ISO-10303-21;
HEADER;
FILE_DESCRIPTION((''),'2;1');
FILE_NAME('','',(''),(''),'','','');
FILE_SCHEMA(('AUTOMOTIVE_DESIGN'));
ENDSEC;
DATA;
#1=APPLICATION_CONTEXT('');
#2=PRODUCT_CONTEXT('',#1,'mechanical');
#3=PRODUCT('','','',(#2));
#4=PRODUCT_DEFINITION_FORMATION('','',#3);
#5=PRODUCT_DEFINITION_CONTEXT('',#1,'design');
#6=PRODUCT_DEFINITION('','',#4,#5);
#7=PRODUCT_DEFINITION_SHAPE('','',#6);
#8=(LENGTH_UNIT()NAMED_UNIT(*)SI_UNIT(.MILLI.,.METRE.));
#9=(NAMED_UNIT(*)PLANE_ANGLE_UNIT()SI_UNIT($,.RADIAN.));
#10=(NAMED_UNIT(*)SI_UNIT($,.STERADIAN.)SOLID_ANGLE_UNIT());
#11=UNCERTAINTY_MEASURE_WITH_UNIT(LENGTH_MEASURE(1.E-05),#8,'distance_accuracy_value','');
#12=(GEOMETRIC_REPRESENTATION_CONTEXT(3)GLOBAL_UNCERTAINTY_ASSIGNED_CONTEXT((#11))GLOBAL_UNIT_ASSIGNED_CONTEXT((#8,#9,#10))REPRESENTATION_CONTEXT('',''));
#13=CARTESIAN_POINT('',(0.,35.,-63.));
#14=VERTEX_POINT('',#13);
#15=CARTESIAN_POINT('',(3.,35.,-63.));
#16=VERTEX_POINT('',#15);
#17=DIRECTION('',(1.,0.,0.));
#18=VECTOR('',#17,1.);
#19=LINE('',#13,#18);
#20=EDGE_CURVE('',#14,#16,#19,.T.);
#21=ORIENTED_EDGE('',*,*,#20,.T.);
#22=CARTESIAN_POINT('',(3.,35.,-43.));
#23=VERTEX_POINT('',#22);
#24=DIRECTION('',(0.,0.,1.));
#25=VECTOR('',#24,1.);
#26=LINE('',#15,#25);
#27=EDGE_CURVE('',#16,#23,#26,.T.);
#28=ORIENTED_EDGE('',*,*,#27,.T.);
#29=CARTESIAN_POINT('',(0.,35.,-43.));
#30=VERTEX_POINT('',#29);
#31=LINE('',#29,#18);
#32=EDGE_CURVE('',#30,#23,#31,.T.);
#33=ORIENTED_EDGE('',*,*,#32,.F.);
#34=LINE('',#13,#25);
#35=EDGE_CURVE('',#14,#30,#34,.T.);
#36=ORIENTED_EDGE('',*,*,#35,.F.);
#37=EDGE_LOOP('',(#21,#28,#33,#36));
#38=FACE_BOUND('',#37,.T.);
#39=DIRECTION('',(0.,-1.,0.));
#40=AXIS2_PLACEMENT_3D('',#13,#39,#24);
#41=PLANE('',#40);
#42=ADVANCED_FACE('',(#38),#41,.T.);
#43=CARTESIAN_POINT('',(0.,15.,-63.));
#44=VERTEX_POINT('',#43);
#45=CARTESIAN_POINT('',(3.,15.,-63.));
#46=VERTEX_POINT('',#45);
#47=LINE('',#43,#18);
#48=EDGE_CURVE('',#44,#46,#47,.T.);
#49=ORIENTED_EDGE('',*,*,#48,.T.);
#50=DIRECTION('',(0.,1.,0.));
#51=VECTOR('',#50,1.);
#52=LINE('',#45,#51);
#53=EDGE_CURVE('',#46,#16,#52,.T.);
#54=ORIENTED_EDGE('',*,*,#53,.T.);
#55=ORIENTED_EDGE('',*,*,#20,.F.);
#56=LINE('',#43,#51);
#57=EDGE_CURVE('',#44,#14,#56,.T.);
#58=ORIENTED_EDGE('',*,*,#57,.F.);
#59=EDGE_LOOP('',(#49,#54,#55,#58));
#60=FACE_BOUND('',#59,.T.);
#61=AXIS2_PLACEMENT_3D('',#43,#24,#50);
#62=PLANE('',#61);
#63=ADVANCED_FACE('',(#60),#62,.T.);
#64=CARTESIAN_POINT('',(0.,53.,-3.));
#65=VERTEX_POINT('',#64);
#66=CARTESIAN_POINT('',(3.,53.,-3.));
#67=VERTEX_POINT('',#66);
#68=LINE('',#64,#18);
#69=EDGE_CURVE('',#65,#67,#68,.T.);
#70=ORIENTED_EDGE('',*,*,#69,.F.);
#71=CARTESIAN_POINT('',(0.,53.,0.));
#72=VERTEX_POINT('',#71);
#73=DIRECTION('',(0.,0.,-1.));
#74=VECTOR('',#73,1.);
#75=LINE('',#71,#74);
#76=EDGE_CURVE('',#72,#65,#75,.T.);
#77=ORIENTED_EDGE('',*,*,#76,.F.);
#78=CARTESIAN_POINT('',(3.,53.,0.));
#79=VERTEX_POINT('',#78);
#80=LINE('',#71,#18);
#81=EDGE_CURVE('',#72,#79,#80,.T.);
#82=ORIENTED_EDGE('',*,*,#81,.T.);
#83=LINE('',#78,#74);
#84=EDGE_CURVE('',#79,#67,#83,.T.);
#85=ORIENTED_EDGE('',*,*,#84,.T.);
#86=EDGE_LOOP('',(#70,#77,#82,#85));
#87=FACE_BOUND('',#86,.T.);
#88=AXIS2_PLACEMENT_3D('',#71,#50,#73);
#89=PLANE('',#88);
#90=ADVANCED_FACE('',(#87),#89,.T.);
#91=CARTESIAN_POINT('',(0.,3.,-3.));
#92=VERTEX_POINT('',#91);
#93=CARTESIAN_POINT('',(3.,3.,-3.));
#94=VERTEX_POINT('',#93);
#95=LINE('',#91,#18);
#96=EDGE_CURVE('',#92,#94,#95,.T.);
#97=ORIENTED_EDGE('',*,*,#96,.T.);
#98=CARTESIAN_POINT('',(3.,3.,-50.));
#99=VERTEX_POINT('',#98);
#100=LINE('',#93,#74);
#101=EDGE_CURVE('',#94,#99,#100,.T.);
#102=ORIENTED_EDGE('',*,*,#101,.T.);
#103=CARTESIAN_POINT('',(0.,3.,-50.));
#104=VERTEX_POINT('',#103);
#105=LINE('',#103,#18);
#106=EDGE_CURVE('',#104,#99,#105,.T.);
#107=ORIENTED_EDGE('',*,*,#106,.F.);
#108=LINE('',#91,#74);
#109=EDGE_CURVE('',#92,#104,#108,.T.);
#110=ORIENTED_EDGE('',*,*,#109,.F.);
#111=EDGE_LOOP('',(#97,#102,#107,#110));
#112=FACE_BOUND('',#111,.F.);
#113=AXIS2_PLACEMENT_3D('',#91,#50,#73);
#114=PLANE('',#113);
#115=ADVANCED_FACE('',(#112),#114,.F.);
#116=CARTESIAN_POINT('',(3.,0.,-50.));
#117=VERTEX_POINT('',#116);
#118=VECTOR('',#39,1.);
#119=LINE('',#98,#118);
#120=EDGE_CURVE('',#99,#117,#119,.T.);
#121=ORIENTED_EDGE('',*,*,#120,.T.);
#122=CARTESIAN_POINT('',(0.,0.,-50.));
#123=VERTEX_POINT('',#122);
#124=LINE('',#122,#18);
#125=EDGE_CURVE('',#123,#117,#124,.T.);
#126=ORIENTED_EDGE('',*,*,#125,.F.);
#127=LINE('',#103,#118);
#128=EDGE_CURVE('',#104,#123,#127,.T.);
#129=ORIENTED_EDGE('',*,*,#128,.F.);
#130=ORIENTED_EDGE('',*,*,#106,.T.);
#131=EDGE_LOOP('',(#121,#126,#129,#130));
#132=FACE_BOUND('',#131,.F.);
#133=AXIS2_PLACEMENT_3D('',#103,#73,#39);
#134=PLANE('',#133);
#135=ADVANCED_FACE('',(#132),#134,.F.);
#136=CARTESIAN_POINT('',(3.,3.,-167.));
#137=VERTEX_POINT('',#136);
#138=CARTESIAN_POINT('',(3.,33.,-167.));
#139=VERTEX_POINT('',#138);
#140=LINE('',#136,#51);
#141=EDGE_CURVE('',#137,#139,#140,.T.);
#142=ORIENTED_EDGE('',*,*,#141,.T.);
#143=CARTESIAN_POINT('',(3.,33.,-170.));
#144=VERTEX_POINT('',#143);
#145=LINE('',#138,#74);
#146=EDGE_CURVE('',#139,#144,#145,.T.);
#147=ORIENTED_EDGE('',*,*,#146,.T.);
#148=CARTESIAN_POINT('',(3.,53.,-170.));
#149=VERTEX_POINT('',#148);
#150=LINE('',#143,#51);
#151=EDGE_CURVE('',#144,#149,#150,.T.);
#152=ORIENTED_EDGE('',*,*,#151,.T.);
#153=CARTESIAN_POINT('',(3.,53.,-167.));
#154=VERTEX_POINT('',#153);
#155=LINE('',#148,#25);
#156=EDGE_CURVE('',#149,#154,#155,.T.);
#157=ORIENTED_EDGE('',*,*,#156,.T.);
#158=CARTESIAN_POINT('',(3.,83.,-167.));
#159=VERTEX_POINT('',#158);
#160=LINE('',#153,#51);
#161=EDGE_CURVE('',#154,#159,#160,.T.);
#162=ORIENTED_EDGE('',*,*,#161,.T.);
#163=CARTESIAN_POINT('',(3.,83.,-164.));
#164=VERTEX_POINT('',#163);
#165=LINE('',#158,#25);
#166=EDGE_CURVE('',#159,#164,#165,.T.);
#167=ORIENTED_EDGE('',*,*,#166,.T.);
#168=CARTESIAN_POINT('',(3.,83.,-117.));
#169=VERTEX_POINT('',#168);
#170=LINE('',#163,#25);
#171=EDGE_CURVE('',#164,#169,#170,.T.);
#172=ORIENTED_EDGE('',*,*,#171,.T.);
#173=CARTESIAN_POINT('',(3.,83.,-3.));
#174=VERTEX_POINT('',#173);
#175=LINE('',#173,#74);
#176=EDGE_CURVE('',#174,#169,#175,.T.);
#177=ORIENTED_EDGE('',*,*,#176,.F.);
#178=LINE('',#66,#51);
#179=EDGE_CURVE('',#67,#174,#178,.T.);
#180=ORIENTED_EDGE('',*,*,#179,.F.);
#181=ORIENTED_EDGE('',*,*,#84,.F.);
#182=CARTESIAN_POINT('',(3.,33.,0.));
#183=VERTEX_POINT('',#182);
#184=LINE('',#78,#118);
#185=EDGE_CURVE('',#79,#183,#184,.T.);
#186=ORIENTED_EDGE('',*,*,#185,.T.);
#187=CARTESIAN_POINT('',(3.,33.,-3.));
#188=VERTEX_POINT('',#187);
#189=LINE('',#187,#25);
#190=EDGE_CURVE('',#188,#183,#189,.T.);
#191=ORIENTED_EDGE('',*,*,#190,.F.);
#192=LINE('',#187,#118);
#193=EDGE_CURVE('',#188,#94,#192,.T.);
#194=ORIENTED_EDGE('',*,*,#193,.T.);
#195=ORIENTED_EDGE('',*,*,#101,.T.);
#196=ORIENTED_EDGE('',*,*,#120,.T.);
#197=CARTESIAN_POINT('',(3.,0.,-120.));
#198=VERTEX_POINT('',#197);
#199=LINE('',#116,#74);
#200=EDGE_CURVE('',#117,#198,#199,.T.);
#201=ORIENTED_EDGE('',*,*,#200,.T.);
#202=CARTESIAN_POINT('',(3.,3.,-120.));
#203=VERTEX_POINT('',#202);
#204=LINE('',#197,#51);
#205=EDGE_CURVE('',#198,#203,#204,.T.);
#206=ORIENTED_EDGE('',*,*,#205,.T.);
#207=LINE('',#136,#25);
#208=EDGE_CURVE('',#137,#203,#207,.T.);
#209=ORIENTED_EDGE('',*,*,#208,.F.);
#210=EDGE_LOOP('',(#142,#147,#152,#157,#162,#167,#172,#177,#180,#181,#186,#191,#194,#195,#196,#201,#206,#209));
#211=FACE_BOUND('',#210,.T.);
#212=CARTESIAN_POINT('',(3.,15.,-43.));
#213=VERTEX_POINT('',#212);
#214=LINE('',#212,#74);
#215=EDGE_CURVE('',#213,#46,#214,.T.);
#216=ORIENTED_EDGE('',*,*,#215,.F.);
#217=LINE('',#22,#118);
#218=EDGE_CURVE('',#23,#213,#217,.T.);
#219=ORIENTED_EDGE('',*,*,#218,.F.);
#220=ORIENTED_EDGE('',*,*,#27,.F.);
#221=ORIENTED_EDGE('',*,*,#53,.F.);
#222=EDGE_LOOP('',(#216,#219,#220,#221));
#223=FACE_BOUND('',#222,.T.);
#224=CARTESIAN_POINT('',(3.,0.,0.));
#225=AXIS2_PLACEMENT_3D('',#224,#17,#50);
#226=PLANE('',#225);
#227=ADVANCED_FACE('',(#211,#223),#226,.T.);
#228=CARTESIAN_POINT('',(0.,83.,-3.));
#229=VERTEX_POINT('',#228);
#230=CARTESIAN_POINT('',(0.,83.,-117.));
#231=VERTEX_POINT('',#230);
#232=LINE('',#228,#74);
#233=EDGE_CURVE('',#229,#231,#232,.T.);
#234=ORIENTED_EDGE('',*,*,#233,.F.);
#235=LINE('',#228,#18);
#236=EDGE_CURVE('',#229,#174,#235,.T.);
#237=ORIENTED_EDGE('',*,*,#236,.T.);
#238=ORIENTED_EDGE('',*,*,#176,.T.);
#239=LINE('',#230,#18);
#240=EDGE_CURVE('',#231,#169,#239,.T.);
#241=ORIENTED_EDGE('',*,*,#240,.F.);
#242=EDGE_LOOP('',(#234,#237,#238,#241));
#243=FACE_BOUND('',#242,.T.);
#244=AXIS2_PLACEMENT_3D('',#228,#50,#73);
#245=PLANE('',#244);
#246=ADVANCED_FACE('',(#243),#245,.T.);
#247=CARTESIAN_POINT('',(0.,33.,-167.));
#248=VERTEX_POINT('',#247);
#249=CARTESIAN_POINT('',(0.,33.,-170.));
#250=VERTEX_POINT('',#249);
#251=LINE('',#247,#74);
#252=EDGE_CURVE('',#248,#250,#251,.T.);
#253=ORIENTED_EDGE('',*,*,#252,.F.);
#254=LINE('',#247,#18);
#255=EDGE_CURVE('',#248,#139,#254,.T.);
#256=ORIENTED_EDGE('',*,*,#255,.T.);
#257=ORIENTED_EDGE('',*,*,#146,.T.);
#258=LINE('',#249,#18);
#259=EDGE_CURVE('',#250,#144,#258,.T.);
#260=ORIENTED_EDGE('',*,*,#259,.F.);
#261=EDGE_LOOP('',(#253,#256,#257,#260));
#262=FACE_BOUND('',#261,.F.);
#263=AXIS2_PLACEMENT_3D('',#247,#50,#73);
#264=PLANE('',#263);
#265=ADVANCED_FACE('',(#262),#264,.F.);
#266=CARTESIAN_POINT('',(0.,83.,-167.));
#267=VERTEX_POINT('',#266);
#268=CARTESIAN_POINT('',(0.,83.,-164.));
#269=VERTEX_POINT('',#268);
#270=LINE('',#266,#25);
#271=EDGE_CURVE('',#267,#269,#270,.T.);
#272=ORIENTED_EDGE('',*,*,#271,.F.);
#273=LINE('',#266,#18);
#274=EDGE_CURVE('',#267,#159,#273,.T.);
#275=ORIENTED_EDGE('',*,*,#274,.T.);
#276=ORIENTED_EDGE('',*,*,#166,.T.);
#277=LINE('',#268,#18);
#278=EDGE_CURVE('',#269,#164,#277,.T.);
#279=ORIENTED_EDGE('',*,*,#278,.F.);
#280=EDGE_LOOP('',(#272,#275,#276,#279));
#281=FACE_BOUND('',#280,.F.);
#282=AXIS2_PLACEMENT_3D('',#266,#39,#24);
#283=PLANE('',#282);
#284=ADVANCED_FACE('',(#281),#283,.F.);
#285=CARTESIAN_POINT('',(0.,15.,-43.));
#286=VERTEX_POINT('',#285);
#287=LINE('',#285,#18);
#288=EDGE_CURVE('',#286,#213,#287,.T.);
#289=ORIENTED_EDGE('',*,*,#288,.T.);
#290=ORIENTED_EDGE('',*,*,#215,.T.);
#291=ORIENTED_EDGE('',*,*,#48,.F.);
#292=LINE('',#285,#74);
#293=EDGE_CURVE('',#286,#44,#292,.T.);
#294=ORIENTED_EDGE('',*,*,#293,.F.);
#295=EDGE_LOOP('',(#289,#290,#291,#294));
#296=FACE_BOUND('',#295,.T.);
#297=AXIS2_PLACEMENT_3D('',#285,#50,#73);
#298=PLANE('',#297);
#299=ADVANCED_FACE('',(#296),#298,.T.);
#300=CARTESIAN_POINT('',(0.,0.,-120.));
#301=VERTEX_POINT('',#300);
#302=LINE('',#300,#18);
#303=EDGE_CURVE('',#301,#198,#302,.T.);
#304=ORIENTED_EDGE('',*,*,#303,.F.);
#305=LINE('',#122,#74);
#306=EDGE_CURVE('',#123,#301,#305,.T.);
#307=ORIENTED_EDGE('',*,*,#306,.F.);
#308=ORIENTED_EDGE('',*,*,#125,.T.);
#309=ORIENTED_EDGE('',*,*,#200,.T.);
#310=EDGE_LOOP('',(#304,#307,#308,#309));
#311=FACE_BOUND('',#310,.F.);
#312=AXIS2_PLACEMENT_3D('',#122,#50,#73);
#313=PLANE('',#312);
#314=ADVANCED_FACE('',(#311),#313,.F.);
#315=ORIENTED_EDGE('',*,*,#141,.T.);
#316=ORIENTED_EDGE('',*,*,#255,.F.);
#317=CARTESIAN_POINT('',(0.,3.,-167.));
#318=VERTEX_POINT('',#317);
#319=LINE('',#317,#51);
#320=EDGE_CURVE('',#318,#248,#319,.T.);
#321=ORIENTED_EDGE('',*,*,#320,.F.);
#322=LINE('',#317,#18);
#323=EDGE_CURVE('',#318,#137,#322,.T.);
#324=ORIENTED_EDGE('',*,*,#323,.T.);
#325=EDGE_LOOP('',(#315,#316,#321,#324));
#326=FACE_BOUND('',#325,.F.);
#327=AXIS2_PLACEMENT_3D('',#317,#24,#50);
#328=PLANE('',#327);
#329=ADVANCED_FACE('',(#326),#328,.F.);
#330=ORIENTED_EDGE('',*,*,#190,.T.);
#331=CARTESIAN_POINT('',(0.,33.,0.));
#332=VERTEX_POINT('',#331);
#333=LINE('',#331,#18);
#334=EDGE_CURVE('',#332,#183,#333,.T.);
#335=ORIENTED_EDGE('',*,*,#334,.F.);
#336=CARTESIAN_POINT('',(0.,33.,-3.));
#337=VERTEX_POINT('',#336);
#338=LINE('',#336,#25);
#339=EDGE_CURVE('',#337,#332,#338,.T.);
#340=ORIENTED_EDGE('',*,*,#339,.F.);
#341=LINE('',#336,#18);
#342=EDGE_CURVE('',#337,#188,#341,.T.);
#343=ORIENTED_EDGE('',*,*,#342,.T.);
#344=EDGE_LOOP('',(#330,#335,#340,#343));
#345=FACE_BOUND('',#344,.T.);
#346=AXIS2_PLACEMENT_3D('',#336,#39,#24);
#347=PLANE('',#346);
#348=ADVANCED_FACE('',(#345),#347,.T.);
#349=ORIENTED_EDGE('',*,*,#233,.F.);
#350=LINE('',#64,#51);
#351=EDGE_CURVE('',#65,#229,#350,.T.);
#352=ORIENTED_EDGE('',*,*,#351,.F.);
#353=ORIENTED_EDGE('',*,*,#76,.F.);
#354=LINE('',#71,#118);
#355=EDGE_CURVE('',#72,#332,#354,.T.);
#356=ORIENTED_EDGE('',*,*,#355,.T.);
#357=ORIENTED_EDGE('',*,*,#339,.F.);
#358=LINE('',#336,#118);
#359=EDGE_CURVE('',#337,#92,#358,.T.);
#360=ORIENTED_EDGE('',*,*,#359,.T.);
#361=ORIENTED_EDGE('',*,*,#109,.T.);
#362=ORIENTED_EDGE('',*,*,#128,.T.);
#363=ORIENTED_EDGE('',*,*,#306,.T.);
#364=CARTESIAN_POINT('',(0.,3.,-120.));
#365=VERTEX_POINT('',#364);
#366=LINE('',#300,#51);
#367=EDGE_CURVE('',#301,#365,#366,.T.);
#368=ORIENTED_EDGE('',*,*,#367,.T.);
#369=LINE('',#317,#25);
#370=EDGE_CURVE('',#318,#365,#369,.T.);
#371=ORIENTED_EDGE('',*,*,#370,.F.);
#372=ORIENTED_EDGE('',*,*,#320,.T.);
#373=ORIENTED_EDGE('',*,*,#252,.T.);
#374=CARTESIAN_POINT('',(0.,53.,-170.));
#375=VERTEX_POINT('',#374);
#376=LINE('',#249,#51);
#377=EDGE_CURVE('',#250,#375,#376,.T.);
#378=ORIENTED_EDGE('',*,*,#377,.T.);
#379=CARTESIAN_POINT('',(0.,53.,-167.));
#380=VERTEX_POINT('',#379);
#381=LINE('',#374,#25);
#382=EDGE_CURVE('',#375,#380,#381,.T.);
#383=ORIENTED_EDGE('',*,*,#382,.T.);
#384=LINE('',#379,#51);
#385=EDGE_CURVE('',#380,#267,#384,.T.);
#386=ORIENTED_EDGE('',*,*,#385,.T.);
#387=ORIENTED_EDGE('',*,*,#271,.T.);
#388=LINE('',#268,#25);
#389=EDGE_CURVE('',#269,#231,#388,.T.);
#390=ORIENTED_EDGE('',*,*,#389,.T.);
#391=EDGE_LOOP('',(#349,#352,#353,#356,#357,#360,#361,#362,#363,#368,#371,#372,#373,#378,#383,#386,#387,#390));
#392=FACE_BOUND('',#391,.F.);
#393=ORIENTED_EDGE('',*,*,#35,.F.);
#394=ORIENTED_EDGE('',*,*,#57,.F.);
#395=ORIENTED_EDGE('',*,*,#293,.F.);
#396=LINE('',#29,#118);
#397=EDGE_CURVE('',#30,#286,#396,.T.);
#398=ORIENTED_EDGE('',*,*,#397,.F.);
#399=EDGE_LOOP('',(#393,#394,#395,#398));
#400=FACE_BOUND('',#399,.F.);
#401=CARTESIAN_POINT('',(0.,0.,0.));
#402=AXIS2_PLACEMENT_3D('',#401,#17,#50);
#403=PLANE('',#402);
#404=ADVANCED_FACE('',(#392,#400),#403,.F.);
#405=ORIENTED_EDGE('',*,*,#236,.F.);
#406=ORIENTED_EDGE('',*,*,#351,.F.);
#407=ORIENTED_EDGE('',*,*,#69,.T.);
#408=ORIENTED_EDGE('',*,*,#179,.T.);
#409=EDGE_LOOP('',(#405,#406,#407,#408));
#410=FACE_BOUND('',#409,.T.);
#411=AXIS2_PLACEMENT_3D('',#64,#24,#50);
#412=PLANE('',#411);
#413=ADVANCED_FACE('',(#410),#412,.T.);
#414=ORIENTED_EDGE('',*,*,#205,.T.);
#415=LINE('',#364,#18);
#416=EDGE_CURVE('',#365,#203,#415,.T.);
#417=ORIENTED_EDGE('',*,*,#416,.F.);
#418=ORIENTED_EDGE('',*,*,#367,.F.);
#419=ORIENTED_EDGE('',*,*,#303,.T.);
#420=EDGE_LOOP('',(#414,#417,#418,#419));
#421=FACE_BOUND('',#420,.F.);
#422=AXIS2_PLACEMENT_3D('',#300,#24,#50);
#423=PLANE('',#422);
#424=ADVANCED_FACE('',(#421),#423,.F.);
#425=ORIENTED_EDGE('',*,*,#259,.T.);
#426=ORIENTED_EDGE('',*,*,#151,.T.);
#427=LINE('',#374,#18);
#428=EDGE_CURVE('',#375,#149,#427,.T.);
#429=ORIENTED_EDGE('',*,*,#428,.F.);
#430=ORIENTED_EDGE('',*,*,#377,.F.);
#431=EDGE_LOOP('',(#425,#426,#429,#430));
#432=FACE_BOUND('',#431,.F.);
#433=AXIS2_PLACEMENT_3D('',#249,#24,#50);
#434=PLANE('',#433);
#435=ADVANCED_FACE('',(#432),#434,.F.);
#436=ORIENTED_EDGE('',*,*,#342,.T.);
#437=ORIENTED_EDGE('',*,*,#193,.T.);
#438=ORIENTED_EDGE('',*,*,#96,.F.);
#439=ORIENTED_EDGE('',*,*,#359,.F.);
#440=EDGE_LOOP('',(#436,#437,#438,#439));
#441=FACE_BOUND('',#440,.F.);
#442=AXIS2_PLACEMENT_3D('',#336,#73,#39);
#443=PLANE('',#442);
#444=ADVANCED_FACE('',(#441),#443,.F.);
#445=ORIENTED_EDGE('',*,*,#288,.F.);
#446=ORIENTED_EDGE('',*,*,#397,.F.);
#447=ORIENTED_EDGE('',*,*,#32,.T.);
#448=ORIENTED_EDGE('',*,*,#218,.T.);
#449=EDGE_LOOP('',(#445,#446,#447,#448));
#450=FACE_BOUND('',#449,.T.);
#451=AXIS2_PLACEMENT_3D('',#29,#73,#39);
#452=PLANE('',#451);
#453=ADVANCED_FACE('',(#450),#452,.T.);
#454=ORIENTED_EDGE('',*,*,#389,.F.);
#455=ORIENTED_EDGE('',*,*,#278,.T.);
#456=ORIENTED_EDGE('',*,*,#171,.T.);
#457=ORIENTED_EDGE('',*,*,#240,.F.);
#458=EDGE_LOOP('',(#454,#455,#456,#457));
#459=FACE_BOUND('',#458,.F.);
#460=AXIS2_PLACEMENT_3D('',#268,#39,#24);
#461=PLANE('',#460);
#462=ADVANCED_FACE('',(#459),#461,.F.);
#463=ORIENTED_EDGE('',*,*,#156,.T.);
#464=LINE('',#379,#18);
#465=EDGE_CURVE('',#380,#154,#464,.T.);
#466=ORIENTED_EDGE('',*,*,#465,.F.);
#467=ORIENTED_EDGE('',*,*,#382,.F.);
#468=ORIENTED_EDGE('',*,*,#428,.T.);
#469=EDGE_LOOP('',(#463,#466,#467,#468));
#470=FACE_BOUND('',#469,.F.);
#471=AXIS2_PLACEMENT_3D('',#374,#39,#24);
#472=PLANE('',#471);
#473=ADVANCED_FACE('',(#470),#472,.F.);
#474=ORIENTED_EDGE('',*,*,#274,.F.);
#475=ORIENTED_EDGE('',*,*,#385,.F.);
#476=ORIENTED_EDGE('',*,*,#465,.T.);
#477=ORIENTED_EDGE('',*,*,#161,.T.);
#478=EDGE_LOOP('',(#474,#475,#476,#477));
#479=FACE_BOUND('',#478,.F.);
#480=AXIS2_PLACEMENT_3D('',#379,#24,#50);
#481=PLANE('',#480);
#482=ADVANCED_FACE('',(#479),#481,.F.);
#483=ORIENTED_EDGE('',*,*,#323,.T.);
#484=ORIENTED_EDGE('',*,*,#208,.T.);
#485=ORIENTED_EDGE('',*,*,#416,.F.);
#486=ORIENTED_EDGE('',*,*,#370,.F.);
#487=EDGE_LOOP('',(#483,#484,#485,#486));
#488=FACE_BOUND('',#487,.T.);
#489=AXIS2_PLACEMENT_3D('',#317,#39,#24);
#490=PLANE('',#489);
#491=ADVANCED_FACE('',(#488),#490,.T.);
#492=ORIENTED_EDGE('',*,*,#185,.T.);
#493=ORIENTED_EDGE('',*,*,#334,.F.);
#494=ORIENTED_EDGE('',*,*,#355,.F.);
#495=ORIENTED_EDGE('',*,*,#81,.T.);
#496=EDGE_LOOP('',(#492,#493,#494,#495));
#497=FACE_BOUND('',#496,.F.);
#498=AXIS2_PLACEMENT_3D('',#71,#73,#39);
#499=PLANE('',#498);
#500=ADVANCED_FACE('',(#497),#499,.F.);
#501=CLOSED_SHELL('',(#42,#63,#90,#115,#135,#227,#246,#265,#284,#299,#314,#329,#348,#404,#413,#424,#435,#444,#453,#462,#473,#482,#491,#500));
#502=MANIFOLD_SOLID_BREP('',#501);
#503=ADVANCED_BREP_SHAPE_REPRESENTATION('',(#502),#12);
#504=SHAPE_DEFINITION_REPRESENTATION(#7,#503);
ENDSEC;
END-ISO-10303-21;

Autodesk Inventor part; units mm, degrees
ref_plane "YZ Plane" through (0, 0, 0) normal (1, 0, 0) x (0, 1, 0)
ref_plane "XZ Plane" through (0, 0, 0) normal (0, 1, 0) x (-1, 0, 0)
ref_plane "XY Plane" through (0, 0, 0) normal (0, 0, 1) x (1, 0, 0)
sketch "Sketch2" plane through (0, 0, 0) normal (1, 0, 0) x (0, 1, 0)
  line L0 (0, 0) -> (3, 0) construction
  line L1 (3, -3) -> (3, -50)
  line L2 (3, -50) -> (0, -50)
  line L3 (0, -50) -> (0, -120)
  line L4 (0, -120) -> (3, -120)
  line L5 (53, 0) -> (53, -3)
  line L6 (33, -3) -> (33, 0)
  line L7 (0, 0) -> (0, -43) construction
  line L8 (0, -43) -> (15, -43) construction
  line L9 (15, -43) -> (35, -43) construction
  line L10 (15, -43) -> (15, -63)
  line L11 (15, -63) -> (35, -63)
  line L12 (35, -63) -> (35, -43)
  line L13 (35, -43) -> (15, -43)
  line L14 (83, -164) -> (83, -117)
  line L15 (3, -167) -> (3, -120)
  line L16 (3, -167) -> (33, -167)
  line L17 (33, -167) -> (33, -170)
  line L18 (33, -170) -> (53, -170)
  line L19 (53, -170) -> (53, -167)
  line L20 (53, -167) -> (83, -167)
  line L21 (83, -167) -> (83, -164)
  line L22 (53, -3) -> (83, -3)
  line L23 (53, 0) -> (33, 0)
  line L24 (33, -3) -> (3, -3)
  line L25 (83, -3) -> (83, -117)
  dimension "d0" = 3
  dimension "d1" = 3
  dimension "d2" = 47
  dimension "d3" = 70
  dimension "d11" = 3
  dimension "d12" = 20
  dimension "d15" = 43
  dimension "d16" = 15
  dimension "d17" = 20
  dimension "d18" = 20
  dimension "d19" = 47
  dimension "d20" = 30
  dimension "d21" = 3
  dimension "d22" = 20
extrude "Extrusion1" add sketch "Sketch2" along normal blind 3
properties part number "Kiri"
